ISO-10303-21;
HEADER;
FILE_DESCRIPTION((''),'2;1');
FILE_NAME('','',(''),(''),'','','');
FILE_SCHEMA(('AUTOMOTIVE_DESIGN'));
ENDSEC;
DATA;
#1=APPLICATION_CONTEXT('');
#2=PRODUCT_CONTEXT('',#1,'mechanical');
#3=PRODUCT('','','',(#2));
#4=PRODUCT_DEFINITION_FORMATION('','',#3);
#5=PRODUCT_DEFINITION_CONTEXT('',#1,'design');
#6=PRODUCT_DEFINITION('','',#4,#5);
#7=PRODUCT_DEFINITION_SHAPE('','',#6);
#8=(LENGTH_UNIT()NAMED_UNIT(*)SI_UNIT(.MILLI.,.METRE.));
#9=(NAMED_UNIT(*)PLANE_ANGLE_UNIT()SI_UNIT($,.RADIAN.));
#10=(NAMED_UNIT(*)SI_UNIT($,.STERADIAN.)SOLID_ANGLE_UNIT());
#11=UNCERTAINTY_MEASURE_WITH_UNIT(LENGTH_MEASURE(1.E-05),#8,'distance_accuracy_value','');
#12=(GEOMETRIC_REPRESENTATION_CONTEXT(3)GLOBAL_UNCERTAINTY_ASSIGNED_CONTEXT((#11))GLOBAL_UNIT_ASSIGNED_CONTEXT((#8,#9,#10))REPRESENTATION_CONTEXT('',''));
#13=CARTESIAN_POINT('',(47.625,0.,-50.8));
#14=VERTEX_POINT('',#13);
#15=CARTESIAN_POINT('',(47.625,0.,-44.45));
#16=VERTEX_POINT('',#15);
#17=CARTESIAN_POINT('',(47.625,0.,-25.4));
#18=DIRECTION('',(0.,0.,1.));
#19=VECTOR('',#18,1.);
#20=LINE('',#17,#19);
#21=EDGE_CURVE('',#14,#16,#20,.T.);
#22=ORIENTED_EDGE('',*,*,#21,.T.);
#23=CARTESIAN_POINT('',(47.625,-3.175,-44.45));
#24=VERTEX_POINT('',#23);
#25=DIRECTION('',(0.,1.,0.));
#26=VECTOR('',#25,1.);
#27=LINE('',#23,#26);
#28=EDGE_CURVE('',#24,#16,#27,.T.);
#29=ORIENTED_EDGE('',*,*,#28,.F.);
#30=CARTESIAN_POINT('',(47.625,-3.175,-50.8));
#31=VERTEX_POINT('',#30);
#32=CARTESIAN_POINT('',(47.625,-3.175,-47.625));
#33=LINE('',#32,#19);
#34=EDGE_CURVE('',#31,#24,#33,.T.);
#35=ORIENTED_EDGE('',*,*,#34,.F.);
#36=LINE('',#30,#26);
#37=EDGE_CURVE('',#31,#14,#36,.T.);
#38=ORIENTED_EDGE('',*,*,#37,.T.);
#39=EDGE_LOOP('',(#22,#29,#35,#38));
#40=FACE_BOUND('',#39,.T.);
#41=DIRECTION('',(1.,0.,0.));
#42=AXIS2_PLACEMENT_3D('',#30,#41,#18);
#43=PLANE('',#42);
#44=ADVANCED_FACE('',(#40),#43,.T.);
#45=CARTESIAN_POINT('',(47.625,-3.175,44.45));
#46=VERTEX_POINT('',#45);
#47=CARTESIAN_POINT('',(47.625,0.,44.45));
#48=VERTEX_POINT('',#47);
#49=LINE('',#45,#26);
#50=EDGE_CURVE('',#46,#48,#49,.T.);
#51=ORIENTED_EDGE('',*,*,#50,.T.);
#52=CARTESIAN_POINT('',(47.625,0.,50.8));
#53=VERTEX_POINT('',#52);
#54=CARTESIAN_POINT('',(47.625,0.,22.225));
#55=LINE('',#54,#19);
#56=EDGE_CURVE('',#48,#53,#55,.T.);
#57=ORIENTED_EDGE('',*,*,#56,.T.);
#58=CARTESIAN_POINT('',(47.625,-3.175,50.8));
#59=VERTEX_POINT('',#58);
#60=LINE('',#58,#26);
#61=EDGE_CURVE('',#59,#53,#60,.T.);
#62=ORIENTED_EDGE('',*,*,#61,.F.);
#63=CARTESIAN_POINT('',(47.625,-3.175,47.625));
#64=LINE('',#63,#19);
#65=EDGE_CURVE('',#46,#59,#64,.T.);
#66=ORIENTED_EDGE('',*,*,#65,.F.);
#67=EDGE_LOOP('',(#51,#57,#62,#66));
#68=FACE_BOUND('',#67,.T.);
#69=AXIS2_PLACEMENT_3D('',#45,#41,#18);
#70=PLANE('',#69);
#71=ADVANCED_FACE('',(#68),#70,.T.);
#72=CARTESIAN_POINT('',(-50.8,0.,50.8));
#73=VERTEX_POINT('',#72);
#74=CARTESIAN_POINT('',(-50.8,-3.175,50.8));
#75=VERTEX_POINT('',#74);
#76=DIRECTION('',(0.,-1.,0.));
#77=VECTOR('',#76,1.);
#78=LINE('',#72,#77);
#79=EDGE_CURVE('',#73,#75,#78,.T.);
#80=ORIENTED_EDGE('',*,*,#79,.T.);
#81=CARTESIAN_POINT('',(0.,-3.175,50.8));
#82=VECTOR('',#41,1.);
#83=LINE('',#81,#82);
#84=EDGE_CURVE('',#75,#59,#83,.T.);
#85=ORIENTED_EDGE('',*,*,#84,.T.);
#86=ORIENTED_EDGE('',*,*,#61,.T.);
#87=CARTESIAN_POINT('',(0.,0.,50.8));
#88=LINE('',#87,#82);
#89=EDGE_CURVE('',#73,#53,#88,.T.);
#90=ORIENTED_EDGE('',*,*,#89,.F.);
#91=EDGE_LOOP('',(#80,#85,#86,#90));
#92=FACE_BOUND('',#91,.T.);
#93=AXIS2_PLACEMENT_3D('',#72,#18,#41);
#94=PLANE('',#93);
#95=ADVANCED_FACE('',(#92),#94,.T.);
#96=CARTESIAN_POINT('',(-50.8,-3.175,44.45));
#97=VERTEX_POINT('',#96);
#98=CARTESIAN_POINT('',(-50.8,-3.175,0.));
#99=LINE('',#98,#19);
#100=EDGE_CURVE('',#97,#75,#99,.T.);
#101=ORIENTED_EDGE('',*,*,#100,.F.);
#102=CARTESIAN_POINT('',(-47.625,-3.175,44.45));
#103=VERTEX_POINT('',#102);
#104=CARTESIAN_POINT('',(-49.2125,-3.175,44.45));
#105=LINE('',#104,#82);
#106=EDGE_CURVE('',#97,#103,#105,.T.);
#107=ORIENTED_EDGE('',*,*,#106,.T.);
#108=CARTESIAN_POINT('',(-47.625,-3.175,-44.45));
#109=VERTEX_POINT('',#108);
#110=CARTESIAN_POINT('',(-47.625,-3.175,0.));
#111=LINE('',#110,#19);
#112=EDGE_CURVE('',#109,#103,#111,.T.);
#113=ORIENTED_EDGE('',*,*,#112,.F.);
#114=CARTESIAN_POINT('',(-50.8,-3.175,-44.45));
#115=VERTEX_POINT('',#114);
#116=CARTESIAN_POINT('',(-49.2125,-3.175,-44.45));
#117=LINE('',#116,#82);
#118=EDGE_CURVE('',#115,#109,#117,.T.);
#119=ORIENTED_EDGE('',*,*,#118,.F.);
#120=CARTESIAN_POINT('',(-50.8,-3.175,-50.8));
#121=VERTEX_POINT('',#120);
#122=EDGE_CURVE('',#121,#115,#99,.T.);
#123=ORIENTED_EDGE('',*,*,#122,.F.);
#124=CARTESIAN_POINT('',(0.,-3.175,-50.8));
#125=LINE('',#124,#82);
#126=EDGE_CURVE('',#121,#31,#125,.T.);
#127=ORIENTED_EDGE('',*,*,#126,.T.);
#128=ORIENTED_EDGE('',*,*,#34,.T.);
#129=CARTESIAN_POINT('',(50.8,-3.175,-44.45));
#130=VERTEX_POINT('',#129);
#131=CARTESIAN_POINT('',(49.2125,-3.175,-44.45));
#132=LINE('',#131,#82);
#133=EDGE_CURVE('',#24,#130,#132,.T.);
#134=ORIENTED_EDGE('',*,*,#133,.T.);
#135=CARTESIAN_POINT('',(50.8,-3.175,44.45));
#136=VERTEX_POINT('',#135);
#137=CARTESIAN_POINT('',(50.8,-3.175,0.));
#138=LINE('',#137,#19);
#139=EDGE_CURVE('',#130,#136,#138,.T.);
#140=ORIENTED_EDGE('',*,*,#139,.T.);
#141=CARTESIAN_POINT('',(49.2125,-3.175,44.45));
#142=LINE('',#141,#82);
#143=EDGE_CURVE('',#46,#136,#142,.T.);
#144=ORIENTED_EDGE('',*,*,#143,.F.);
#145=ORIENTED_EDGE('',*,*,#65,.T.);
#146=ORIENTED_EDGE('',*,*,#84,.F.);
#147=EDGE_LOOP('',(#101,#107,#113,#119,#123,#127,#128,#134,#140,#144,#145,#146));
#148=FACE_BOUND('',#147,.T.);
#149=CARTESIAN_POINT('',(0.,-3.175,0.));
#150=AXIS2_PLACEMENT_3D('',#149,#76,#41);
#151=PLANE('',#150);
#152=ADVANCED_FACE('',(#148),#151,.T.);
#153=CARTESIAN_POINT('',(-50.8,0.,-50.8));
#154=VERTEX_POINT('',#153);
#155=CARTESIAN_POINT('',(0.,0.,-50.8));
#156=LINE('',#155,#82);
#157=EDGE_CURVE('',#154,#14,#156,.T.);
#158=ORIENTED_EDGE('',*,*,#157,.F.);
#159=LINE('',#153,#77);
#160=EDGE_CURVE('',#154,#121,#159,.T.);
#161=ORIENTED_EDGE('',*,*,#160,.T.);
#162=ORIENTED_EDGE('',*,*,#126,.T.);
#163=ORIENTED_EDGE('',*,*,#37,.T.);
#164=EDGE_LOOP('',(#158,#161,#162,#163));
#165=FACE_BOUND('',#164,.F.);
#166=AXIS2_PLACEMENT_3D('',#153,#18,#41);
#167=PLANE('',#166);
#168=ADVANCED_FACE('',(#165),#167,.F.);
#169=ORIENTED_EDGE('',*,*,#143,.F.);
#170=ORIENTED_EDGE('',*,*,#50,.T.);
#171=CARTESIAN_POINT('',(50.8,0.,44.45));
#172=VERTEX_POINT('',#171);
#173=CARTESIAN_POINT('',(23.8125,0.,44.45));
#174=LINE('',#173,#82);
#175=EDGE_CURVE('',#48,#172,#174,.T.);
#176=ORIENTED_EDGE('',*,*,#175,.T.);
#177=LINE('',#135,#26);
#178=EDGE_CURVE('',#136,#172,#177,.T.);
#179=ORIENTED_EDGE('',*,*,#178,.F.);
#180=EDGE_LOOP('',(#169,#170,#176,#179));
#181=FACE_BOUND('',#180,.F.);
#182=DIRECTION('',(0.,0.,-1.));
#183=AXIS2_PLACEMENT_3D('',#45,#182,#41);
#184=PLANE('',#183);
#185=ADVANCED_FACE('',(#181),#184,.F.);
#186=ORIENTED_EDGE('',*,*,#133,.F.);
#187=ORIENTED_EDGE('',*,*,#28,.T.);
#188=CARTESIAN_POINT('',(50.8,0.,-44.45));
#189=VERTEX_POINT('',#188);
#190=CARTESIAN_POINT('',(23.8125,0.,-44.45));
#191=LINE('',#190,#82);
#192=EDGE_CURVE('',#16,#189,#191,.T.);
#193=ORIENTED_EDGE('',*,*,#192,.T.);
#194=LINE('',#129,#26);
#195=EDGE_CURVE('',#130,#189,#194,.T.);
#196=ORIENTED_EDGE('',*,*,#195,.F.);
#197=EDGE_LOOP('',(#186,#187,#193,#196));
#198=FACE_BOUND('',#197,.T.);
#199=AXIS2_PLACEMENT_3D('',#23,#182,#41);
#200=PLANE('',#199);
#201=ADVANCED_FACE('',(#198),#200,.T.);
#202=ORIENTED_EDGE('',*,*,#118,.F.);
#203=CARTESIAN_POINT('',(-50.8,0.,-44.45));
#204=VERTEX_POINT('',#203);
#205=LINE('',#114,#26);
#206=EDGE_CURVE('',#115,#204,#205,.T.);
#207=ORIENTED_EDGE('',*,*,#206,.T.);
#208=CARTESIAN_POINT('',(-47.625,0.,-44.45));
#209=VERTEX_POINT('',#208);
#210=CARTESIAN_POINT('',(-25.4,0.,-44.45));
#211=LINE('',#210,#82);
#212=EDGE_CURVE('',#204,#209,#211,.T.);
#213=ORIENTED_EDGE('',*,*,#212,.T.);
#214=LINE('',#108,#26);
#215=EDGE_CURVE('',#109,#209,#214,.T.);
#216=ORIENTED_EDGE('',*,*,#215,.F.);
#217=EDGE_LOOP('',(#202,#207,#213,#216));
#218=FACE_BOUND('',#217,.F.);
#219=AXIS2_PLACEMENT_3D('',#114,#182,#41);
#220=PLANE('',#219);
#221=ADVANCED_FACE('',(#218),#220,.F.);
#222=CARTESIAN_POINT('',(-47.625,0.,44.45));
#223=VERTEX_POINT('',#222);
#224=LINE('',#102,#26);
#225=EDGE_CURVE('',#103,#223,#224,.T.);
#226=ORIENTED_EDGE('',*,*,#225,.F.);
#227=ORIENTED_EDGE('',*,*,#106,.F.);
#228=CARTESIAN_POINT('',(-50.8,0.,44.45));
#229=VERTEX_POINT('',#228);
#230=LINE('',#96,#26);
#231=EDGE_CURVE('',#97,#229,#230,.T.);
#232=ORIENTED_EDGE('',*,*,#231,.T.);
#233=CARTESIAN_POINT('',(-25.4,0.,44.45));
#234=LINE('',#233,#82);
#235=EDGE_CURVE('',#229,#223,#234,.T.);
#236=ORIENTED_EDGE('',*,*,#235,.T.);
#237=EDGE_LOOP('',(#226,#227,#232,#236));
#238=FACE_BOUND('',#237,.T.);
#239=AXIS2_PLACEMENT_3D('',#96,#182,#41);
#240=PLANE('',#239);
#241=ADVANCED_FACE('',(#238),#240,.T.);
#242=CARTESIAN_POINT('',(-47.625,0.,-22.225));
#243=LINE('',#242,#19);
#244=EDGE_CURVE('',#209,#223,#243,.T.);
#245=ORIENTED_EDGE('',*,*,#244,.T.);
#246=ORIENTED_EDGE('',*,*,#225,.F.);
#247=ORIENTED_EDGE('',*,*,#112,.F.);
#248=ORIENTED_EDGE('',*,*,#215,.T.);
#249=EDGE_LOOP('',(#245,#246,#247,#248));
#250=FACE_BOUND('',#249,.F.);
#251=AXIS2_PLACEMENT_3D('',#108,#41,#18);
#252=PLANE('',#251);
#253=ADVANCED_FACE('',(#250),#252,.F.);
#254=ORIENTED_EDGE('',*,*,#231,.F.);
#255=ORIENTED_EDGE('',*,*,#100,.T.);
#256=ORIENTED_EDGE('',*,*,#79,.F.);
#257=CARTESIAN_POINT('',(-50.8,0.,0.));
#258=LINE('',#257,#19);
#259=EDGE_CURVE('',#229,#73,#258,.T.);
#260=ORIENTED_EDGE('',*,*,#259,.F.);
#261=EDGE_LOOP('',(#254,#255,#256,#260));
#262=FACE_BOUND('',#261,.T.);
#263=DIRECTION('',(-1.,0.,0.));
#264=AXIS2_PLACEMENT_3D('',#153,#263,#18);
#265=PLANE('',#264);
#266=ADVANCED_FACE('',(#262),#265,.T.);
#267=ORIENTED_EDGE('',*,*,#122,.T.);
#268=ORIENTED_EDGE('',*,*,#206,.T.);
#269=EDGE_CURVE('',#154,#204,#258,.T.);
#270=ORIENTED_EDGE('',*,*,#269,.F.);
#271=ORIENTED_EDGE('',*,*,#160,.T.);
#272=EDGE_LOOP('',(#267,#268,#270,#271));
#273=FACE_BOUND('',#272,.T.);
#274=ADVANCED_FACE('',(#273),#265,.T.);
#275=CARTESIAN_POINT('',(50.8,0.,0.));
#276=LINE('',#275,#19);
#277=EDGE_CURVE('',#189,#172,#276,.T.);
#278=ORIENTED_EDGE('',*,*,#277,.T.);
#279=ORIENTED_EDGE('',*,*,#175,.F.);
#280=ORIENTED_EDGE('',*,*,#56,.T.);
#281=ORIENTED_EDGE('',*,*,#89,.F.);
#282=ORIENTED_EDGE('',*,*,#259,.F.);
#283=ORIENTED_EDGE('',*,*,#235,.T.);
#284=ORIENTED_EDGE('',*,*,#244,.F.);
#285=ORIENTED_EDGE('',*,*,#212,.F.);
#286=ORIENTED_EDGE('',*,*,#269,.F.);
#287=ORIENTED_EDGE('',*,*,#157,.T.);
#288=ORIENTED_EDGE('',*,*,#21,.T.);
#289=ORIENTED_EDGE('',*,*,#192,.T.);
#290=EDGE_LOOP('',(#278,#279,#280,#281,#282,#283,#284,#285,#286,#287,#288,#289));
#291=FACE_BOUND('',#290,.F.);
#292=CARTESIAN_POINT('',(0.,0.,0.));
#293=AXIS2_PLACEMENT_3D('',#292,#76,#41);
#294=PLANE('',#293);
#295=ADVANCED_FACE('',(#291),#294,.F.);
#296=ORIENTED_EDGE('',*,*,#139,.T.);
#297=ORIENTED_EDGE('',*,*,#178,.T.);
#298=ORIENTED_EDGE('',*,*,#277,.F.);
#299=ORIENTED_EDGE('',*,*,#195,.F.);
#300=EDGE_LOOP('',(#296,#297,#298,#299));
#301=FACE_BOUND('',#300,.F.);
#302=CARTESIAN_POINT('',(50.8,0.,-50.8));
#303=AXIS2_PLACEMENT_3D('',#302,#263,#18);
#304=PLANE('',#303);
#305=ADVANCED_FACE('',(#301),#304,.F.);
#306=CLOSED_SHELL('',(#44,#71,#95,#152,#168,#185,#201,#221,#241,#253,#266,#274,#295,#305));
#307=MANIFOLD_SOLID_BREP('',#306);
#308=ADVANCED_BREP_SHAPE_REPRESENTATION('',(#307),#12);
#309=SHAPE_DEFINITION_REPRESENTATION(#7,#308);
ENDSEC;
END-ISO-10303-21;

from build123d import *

# Parameters (mm, degrees)
F0_W     = 101.6
F0_H     = 101.6
F1_DEPTH = 3.175
F2_W     = 3.175
F2_H     = 88.9
F2_H_2   = 6.35
F3_DEPTH = 25.4


with BuildPart() as f1:
    # F0 (on Front) → F1 (new body)
    with BuildSketch(Plane.XZ):
        Rectangle(F0_W, F0_H)
    extrude(amount=F1_DEPTH)

    # F2 (on face) → F3 (cut)
    with BuildSketch(Plane.XZ.offset(3.175)):
        with Locations((-49.2125, 0)):
            Rectangle(F2_W, F2_H)
        with Locations((49.2125, 47.625)):
            Rectangle(F2_W, F2_H_2)
        with Locations((49.2125, -47.625)):
            Rectangle(F2_W, F2_H_2)
    extrude(amount=-F3_DEPTH, mode=Mode.SUBTRACT)


solid = f1.part
